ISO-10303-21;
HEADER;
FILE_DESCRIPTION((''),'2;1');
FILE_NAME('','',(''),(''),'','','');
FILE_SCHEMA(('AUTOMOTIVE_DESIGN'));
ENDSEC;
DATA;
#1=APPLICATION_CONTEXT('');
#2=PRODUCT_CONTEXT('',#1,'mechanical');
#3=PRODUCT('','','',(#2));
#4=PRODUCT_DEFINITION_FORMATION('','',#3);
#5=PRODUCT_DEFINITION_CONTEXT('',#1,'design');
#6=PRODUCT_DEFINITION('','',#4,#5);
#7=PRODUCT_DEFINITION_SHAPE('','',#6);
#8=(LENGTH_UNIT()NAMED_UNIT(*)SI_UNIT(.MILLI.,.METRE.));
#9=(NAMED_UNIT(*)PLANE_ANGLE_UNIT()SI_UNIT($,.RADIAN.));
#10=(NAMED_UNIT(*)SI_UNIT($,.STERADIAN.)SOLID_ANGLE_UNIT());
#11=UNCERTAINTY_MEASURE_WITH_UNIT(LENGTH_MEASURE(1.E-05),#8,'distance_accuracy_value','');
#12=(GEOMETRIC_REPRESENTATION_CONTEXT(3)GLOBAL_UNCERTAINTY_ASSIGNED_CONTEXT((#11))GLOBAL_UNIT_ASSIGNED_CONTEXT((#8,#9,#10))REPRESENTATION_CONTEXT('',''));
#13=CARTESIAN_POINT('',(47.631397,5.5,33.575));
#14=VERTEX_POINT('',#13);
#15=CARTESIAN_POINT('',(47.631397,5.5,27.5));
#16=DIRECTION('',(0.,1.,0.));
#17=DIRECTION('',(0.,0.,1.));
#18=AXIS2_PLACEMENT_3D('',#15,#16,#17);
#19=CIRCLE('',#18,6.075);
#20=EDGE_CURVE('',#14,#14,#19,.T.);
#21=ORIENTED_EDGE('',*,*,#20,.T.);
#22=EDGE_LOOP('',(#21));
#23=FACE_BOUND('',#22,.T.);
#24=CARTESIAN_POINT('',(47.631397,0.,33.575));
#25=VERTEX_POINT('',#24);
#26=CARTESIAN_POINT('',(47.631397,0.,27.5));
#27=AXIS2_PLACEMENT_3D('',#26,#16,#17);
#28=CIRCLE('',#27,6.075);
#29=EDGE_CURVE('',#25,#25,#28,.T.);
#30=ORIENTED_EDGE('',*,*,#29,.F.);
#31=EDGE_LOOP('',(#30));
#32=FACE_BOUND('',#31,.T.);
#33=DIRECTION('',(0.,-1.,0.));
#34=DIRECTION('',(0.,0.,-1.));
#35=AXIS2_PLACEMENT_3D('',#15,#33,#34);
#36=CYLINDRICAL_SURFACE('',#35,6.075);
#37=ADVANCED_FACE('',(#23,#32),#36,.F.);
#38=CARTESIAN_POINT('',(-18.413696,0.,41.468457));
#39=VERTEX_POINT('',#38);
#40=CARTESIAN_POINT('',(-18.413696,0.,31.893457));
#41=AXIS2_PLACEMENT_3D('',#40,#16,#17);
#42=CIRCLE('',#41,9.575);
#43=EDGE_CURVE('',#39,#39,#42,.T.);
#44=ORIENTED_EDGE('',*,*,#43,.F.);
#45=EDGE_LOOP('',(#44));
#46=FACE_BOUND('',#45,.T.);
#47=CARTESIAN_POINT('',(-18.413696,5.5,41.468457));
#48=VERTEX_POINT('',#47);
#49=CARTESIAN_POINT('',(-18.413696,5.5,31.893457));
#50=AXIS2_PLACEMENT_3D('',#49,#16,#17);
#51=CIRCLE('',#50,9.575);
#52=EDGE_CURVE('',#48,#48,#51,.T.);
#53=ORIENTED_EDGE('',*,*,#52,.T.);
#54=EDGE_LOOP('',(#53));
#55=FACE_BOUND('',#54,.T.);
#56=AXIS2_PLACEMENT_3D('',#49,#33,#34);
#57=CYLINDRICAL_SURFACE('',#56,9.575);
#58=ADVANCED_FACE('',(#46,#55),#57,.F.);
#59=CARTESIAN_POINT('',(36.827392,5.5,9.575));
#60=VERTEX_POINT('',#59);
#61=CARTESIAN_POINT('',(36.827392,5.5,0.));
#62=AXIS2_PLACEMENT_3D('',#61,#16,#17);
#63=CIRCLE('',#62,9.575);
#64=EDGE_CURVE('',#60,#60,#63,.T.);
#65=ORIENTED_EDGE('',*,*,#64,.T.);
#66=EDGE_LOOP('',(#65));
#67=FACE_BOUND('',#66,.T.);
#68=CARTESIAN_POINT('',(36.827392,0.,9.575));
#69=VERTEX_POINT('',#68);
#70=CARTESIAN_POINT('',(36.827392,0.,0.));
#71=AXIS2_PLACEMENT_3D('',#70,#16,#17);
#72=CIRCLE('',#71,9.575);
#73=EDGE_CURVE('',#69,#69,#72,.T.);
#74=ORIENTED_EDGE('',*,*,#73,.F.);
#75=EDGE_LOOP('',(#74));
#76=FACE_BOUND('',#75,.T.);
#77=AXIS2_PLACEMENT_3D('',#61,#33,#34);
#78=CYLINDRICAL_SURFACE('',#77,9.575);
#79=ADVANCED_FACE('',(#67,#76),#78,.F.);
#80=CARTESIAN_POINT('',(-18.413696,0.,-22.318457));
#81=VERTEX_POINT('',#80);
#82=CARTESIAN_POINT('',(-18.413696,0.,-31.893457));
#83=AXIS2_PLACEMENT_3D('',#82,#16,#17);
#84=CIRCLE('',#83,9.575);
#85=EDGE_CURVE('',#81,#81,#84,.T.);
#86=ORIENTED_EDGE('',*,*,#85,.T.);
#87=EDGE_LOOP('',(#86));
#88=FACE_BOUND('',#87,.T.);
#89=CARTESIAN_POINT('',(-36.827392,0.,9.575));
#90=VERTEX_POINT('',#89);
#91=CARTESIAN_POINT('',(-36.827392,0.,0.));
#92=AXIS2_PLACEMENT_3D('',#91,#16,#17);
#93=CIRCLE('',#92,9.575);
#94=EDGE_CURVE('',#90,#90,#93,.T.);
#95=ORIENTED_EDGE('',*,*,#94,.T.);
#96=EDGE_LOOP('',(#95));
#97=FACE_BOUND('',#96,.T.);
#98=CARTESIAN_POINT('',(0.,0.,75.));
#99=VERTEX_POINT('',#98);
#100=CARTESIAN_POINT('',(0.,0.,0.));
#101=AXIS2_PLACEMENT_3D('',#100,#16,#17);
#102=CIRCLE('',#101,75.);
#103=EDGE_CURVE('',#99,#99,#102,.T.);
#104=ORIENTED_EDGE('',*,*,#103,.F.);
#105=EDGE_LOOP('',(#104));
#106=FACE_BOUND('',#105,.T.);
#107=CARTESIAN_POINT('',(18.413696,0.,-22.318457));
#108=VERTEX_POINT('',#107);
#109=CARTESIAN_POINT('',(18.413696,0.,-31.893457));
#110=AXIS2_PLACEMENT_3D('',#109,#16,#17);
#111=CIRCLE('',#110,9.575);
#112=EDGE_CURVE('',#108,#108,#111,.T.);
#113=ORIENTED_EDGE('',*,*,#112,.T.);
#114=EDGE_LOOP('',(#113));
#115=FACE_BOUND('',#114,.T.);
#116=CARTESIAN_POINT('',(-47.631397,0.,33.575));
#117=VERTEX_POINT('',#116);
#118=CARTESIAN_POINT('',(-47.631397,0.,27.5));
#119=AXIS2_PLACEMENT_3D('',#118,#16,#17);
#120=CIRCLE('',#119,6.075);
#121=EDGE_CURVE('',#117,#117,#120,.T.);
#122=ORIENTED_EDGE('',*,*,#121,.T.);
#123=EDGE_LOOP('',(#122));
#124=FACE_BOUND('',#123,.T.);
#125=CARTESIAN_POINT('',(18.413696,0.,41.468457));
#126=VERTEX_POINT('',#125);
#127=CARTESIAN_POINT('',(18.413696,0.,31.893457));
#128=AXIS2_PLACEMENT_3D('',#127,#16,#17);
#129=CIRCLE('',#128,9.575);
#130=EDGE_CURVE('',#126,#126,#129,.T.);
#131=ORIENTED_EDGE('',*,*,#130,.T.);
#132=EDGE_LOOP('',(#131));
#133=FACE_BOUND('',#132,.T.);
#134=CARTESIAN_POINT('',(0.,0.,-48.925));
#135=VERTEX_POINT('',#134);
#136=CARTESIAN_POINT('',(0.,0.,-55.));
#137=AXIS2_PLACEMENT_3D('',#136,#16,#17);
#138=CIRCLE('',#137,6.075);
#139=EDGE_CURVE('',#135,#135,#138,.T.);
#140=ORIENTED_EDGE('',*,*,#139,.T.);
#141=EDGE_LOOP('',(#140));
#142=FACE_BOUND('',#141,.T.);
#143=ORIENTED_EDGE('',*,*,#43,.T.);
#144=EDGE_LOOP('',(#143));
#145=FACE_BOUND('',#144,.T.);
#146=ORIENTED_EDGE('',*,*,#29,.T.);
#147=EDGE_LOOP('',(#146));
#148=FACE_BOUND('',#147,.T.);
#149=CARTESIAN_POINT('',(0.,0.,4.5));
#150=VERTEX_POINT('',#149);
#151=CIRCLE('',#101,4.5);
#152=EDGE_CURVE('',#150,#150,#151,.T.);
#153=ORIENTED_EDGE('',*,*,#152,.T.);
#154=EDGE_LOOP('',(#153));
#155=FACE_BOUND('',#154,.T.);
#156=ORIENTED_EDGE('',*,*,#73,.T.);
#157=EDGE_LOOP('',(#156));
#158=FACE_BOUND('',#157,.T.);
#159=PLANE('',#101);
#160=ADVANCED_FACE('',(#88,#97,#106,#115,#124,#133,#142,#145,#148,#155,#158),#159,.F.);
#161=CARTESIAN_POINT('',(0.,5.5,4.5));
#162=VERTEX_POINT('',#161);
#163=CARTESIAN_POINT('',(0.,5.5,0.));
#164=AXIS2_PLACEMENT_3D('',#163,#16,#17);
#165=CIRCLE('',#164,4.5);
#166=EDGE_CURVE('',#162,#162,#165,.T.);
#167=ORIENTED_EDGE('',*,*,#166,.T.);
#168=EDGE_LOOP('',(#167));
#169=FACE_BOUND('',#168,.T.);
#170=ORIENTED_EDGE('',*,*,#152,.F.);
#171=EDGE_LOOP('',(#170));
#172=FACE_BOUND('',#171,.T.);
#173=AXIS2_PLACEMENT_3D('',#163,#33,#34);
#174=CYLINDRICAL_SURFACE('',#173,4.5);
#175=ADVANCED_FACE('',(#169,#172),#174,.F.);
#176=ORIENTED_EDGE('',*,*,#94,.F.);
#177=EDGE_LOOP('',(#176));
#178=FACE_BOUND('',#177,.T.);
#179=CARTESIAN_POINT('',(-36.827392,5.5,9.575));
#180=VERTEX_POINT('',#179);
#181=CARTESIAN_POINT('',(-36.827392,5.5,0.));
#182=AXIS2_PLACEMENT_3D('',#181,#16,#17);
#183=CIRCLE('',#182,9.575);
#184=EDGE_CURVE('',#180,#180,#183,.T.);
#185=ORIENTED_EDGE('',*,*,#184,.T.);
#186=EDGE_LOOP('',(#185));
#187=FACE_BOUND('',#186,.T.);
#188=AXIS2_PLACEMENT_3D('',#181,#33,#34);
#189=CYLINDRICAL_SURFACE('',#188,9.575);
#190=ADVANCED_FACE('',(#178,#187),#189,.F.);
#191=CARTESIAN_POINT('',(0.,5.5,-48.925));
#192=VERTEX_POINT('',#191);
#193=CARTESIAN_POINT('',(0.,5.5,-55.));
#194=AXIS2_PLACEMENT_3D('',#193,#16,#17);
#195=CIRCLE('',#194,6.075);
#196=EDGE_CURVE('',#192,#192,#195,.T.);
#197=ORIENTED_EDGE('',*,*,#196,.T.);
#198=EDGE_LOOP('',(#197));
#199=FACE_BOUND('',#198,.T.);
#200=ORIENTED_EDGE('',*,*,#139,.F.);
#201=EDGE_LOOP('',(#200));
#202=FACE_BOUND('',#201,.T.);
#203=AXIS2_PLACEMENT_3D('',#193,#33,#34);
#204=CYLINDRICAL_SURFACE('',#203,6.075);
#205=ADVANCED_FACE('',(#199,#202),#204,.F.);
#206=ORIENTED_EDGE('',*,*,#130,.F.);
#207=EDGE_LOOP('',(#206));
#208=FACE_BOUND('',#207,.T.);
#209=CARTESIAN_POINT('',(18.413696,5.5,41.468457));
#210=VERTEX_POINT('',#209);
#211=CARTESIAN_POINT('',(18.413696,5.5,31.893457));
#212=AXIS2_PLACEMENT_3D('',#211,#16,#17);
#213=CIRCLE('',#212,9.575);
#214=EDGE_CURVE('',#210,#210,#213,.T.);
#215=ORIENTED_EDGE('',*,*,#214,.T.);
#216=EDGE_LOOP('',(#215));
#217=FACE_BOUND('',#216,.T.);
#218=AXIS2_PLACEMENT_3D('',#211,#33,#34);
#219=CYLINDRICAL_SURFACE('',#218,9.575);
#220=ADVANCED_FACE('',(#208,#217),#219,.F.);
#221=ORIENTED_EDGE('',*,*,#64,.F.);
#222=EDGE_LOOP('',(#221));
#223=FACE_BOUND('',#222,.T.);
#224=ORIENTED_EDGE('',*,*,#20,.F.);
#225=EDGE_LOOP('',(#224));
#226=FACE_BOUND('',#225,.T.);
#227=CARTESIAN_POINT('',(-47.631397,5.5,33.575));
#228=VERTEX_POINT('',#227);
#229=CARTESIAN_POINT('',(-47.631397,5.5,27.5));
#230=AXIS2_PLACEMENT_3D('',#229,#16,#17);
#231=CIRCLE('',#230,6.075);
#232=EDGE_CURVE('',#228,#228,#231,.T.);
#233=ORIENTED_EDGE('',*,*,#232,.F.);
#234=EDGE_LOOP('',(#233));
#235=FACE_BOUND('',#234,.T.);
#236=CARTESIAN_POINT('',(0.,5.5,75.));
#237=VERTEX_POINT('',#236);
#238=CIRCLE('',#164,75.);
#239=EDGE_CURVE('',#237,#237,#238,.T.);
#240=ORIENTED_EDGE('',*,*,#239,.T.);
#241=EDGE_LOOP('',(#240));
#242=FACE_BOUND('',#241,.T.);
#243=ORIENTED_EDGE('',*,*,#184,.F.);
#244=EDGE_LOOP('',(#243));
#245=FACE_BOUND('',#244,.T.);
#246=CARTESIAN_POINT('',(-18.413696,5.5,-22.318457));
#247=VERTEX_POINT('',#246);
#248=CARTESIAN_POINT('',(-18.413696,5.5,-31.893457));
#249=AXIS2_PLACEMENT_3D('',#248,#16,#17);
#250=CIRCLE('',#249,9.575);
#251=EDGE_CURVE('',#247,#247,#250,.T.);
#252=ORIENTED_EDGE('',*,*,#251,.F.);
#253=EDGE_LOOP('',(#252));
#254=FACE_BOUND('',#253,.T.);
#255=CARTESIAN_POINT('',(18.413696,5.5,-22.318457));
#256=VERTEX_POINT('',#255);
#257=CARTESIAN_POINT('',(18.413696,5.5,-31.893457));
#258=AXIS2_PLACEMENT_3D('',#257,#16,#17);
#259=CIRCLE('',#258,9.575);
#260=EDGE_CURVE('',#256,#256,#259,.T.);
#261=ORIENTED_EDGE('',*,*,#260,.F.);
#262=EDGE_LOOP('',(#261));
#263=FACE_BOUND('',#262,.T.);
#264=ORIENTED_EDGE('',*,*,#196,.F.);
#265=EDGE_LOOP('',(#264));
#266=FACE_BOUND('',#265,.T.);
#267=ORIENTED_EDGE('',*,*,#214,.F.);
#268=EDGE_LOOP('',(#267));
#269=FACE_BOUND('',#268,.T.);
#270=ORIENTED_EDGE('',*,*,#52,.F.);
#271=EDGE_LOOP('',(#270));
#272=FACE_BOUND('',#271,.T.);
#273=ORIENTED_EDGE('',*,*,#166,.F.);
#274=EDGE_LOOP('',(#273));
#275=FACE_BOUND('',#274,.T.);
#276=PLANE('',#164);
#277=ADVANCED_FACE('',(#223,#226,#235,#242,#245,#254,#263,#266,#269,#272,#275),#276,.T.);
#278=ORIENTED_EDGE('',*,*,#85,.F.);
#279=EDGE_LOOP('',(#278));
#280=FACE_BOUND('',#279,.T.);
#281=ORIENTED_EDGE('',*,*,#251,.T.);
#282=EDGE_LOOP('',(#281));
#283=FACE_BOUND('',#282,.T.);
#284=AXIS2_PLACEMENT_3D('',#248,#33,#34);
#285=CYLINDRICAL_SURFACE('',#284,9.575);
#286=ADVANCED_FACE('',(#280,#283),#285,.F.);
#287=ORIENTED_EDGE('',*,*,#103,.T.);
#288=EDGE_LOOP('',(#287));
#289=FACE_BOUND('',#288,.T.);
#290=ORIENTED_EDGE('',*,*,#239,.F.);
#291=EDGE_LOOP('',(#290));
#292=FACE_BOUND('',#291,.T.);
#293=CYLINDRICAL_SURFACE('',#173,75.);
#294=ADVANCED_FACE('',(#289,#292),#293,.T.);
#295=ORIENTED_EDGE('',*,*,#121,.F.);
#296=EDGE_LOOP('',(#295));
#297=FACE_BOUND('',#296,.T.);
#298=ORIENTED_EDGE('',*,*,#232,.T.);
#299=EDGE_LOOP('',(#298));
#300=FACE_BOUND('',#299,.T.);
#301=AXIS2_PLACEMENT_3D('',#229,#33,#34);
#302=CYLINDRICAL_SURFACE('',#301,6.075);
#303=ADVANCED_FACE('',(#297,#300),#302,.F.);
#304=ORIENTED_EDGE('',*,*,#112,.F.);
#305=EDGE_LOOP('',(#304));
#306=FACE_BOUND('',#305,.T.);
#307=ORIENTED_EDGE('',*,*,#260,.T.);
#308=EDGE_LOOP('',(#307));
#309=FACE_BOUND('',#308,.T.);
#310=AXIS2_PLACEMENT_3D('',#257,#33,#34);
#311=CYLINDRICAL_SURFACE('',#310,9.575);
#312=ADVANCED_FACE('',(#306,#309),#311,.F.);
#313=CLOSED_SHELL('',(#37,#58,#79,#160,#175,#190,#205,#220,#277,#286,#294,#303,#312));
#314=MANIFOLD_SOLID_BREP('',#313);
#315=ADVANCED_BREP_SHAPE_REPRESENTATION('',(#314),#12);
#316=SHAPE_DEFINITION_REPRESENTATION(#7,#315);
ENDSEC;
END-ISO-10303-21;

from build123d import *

# Parameters (mm, degrees)
SKETCH4_R           = 75
SKETCH4_R_2         = 9.575
SKETCH4_R_3         = 4.5
SKETCH4_R_4         = 6.075
BOSS_EXTRUDE1_DEPTH = 5.5


with BuildPart() as part:
    # Sketch4 → Boss-Extrude1 (new body)
    with BuildSketch(Plane(origin=(0, 0, 0), x_dir=(1, 0, 0), z_dir=(0, 1, 0))):
        with Locations(Location((0, 0, 0), (0, 0, 270))):
            Circle(SKETCH4_R)
        with Locations(Location((-36.827392181, 0, 0), (0, 0, 270))):
            Circle(SKETCH4_R_2, mode=Mode.SUBTRACT)
        with Locations(Location((-18.413696091, 31.893457184, 0), (0, 0, 270))):
            Circle(SKETCH4_R_2, mode=Mode.SUBTRACT)
        with Locations(Location((18.413696091, 31.893457184, 0), (0, 0, 270))):
            Circle(SKETCH4_R_2, mode=Mode.SUBTRACT)
        with Locations(Location((36.827392181, 0, 0), (0, 0, 270))):
            Circle(SKETCH4_R_2, mode=Mode.SUBTRACT)
        with Locations(Location((18.413696091, -31.893457184, 0), (0, 0, 270))):
            Circle(SKETCH4_R_2, mode=Mode.SUBTRACT)
        with Locations(Location((-18.413696091, -31.893457184, 0), (0, 0, 270))):
            Circle(SKETCH4_R_2, mode=Mode.SUBTRACT)
        with Locations(Location((0, 0, 0), (0, 0, 270))):
            Circle(SKETCH4_R_3, mode=Mode.SUBTRACT)
        with Locations(Location((0, 55, 0), (0, 0, 270))):
            Circle(SKETCH4_R_4, mode=Mode.SUBTRACT)
        with Locations(Location((47.631397208, -27.5, 0), (0, 0, 270))):
            Circle(SKETCH4_R_4, mode=Mode.SUBTRACT)
        with Locations(Location((-47.631397208, -27.5, 0), (0, 0, 270))):
            Circle(SKETCH4_R_4, mode=Mode.SUBTRACT)
    extrude(amount=BOSS_EXTRUDE1_DEPTH)


solid = part.part
